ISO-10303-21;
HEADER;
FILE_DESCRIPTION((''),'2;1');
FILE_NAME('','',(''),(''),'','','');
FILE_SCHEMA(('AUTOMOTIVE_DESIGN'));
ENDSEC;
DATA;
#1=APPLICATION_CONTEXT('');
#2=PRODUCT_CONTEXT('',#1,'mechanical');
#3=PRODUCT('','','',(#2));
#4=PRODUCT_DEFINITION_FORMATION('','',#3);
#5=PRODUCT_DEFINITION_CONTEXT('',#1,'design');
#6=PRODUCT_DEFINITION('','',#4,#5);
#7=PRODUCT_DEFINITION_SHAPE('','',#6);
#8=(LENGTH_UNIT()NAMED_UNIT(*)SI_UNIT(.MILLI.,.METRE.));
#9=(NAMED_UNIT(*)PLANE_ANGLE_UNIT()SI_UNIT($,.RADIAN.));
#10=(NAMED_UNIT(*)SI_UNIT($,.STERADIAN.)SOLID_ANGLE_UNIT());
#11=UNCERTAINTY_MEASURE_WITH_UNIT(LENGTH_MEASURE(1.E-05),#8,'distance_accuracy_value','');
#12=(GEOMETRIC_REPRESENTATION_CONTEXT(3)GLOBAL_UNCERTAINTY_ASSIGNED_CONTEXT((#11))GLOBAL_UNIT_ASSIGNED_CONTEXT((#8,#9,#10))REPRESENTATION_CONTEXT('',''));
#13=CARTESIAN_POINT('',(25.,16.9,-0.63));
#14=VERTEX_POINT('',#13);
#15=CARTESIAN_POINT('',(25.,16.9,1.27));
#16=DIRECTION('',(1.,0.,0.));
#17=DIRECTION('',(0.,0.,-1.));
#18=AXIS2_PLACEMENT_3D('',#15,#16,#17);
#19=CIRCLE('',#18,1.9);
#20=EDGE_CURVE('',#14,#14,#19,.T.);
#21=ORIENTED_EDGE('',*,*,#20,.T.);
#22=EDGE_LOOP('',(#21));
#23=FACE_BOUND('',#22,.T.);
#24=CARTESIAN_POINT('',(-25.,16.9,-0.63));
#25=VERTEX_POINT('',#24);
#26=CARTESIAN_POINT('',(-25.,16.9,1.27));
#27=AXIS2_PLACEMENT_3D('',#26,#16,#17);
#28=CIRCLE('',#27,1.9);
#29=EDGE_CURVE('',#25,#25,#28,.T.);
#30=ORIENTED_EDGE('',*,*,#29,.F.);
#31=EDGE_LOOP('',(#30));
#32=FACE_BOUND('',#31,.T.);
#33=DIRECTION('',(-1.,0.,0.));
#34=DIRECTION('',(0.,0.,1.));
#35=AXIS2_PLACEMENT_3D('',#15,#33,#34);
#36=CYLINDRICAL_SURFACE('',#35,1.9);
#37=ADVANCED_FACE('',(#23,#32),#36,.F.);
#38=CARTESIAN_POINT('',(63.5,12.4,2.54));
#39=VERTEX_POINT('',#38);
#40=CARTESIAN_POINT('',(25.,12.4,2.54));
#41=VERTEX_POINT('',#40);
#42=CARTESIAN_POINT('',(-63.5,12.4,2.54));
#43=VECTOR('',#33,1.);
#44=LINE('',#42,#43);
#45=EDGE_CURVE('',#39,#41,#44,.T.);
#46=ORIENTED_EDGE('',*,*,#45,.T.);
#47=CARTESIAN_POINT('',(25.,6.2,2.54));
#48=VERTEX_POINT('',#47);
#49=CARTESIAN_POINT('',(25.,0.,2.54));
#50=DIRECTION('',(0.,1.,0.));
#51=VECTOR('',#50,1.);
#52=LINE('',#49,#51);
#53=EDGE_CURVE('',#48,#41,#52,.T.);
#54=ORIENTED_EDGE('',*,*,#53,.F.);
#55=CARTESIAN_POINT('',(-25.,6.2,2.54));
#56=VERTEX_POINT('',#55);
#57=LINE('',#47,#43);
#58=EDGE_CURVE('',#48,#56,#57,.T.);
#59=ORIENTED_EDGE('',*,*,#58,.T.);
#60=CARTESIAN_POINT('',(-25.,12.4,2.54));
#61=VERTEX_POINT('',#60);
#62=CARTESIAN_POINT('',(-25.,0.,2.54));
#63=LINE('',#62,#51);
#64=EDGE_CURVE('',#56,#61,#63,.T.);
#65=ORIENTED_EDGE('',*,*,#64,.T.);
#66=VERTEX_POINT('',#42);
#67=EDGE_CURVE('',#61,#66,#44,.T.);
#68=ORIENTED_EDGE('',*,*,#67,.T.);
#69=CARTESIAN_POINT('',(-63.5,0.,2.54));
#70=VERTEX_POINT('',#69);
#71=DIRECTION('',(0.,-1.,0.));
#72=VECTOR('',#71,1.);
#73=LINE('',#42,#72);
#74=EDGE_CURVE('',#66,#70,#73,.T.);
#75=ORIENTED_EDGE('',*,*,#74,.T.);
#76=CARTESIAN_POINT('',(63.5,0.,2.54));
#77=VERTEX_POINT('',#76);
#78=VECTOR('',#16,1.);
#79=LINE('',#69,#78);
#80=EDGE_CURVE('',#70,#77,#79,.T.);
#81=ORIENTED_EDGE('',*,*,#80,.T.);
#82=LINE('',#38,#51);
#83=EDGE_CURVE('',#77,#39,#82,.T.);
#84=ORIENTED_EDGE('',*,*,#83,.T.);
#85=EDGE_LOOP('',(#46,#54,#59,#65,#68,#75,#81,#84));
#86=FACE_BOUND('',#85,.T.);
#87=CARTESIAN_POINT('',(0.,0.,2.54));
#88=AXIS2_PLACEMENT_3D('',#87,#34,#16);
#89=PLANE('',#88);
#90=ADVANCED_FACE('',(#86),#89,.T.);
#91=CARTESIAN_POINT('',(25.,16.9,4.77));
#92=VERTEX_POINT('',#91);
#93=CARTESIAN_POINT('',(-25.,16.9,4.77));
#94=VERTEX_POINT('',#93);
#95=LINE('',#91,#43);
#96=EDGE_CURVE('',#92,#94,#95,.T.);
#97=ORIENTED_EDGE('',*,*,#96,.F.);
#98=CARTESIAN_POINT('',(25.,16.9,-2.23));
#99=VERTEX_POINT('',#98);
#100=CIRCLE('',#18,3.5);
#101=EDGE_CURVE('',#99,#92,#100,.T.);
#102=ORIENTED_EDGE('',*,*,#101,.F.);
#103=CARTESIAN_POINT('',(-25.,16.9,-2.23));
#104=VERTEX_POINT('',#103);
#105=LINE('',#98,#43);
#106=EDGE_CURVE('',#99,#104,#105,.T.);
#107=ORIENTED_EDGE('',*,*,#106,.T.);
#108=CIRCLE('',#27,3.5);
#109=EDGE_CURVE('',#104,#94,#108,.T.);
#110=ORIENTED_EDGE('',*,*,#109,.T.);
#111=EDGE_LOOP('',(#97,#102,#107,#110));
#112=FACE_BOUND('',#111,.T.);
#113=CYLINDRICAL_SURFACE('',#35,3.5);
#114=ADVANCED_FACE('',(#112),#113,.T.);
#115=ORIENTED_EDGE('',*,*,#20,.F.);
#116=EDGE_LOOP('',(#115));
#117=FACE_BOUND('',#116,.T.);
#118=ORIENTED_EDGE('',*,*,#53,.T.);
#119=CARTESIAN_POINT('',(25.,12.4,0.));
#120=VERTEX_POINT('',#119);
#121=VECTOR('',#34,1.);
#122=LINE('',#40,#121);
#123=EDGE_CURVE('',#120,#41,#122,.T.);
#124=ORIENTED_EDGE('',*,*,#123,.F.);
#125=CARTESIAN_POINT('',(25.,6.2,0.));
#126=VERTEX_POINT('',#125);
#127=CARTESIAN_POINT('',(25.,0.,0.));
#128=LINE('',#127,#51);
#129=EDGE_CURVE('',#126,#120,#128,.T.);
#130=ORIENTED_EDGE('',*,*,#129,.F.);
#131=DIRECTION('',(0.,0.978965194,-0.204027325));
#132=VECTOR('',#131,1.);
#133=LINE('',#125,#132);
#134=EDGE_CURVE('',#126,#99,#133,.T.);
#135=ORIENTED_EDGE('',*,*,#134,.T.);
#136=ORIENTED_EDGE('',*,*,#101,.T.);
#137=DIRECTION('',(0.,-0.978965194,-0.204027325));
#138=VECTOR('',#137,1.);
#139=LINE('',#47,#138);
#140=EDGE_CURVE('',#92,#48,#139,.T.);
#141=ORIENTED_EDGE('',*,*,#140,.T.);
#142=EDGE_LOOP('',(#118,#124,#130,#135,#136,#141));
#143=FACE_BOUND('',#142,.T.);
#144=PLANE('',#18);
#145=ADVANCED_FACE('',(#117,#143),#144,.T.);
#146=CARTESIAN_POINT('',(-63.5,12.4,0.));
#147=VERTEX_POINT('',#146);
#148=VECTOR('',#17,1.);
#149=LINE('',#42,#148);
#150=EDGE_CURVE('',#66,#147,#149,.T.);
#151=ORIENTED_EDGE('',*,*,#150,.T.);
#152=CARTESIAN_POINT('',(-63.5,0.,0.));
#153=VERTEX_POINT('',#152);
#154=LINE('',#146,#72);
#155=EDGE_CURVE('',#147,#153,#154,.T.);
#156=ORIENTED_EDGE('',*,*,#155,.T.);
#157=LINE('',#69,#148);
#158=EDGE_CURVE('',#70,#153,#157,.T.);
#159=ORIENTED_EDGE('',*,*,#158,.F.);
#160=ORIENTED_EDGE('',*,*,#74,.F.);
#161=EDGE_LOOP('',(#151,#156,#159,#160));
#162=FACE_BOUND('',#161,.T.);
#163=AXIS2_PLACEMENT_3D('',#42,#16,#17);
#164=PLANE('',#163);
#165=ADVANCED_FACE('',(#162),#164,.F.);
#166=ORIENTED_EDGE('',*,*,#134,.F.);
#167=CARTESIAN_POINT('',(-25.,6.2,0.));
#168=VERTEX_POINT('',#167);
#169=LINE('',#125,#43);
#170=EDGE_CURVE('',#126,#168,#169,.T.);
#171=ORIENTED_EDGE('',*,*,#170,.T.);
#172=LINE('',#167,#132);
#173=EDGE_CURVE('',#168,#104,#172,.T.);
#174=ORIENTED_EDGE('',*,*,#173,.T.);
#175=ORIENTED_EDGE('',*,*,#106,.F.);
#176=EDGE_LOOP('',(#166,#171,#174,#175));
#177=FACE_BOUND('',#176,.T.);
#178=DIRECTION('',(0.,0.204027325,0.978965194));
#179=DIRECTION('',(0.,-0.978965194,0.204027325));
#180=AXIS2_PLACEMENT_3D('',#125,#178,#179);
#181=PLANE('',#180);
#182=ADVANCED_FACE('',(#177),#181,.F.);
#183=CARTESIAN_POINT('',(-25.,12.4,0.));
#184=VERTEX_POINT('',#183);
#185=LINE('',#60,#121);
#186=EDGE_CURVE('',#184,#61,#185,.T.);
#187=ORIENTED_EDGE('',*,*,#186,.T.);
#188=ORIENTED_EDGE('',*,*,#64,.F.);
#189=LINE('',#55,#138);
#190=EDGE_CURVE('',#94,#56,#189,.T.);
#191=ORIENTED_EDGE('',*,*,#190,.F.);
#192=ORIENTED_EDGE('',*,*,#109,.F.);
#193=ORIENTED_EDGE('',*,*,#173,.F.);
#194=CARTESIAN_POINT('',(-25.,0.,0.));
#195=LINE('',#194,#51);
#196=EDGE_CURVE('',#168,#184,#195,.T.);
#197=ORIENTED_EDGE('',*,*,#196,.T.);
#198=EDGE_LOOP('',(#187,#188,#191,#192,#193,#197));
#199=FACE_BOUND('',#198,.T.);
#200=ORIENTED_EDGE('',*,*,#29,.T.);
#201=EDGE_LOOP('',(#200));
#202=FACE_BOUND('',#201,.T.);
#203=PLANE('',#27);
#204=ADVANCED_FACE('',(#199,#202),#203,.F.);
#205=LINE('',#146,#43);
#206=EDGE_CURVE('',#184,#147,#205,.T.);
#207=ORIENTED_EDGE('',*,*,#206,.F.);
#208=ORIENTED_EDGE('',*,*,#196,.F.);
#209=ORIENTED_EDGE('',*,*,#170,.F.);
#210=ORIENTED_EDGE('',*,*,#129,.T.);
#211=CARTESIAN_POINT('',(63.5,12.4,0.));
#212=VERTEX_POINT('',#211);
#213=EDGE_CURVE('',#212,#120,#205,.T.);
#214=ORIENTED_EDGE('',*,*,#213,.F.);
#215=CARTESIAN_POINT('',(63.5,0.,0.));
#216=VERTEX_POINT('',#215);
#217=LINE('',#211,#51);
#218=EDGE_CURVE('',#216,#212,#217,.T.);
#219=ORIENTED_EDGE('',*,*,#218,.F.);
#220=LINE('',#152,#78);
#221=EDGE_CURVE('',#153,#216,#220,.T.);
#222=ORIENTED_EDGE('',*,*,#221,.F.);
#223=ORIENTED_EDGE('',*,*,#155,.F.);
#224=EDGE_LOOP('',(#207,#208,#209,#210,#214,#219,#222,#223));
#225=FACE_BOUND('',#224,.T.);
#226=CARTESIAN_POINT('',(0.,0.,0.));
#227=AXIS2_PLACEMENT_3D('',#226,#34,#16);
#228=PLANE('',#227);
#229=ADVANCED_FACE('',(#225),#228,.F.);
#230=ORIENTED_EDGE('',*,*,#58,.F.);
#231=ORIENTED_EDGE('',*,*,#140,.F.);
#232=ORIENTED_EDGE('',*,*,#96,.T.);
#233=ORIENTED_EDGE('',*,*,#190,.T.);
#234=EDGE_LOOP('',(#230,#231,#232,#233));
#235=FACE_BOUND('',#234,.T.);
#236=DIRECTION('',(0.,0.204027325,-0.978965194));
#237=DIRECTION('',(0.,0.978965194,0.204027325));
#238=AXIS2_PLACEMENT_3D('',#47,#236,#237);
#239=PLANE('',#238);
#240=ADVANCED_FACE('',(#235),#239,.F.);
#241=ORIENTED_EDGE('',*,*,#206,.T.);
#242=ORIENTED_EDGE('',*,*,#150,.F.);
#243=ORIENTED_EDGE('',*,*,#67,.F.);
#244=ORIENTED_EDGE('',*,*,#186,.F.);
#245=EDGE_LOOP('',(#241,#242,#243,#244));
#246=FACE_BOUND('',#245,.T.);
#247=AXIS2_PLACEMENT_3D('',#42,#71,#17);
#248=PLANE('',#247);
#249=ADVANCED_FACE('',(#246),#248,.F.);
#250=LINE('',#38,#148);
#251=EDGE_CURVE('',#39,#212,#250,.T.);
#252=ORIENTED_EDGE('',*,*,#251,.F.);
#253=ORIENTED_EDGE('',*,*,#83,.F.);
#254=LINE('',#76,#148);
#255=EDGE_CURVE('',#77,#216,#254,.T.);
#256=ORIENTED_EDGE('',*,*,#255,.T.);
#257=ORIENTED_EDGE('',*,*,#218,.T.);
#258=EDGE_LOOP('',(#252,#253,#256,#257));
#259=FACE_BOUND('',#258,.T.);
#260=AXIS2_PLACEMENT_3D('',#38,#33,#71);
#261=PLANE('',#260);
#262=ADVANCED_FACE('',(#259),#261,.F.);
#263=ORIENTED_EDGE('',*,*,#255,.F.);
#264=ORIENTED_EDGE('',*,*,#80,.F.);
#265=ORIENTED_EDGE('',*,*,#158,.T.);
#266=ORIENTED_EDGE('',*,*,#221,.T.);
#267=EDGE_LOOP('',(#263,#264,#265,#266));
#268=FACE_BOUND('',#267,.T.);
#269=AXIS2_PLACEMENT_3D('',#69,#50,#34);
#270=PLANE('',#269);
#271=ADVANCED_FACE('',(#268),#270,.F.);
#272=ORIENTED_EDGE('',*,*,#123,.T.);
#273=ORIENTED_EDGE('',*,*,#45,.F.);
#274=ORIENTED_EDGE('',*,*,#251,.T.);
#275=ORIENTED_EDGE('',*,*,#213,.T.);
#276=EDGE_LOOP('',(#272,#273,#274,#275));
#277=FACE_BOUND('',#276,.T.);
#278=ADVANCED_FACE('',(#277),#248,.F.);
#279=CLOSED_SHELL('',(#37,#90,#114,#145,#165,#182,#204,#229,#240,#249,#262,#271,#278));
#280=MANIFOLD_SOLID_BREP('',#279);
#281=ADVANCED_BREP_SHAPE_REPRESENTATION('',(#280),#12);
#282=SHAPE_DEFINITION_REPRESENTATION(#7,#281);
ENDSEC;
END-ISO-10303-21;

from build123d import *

# Parameters (mm, degrees)
SKETCH1_W           = 127
SKETCH1_H           = 12.4
BOSS_EXTRUDE1_DEPTH = 2.54
SKETCH2_R           = 1.9
BOSS_EXTRUDE3_DEPTH = 25
BOSS_EXTRUDE4_START = -25
SKETCH2_2_R         = 1.9
BOSS_EXTRUDE4_DEPTH = 25


with BuildPart() as part:
    # Sketch1 → Boss-Extrude1 (new body)
    with BuildSketch(Plane.XY):
        with Locations((0, 6.2)):
            Rectangle(SKETCH1_W, SKETCH1_H)
    extrude(amount=BOSS_EXTRUDE1_DEPTH)

    # Sketch2 → Boss-Extrude3 (add)
    with BuildSketch(Plane(origin=(0, 0, 0), x_dir=(0, 0, -1), z_dir=(1, 0, 0))):
        with BuildLine():
            Line((-2.54, 6.2), (-4.77, 16.9))
            ThreePointArc((-4.77, 16.9), (-1.27, 20.4), (2.23, 16.9))
            Line((2.23, 16.9), (0, 6.2))
            Line((0, 6.2), (-2.54, 6.2))
        make_face()
        with Locations((-1.27, 16.9)):
            Circle(SKETCH2_R, mode=Mode.SUBTRACT)
    extrude(amount=BOSS_EXTRUDE3_DEPTH)

    # Sketch2<2> → Boss-Extrude4 (add)
    with BuildSketch(Plane(origin=(0, 0, 0), x_dir=(0, 0, -1), z_dir=(1, 0, 0)).offset(BOSS_EXTRUDE4_START)):
        with BuildLine():
            Line((-2.54, 6.2), (-4.77, 16.9))
            ThreePointArc((-4.77, 16.9), (-1.27, 20.4), (2.23, 16.9))
            Line((2.23, 16.9), (0, 6.2))
            Line((0, 6.2), (-2.54, 6.2))
        make_face()
        with Locations((-1.27, 16.9)):
            Circle(SKETCH2_2_R, mode=Mode.SUBTRACT)
    extrude(amount=BOSS_EXTRUDE4_DEPTH)


solid = part.part
